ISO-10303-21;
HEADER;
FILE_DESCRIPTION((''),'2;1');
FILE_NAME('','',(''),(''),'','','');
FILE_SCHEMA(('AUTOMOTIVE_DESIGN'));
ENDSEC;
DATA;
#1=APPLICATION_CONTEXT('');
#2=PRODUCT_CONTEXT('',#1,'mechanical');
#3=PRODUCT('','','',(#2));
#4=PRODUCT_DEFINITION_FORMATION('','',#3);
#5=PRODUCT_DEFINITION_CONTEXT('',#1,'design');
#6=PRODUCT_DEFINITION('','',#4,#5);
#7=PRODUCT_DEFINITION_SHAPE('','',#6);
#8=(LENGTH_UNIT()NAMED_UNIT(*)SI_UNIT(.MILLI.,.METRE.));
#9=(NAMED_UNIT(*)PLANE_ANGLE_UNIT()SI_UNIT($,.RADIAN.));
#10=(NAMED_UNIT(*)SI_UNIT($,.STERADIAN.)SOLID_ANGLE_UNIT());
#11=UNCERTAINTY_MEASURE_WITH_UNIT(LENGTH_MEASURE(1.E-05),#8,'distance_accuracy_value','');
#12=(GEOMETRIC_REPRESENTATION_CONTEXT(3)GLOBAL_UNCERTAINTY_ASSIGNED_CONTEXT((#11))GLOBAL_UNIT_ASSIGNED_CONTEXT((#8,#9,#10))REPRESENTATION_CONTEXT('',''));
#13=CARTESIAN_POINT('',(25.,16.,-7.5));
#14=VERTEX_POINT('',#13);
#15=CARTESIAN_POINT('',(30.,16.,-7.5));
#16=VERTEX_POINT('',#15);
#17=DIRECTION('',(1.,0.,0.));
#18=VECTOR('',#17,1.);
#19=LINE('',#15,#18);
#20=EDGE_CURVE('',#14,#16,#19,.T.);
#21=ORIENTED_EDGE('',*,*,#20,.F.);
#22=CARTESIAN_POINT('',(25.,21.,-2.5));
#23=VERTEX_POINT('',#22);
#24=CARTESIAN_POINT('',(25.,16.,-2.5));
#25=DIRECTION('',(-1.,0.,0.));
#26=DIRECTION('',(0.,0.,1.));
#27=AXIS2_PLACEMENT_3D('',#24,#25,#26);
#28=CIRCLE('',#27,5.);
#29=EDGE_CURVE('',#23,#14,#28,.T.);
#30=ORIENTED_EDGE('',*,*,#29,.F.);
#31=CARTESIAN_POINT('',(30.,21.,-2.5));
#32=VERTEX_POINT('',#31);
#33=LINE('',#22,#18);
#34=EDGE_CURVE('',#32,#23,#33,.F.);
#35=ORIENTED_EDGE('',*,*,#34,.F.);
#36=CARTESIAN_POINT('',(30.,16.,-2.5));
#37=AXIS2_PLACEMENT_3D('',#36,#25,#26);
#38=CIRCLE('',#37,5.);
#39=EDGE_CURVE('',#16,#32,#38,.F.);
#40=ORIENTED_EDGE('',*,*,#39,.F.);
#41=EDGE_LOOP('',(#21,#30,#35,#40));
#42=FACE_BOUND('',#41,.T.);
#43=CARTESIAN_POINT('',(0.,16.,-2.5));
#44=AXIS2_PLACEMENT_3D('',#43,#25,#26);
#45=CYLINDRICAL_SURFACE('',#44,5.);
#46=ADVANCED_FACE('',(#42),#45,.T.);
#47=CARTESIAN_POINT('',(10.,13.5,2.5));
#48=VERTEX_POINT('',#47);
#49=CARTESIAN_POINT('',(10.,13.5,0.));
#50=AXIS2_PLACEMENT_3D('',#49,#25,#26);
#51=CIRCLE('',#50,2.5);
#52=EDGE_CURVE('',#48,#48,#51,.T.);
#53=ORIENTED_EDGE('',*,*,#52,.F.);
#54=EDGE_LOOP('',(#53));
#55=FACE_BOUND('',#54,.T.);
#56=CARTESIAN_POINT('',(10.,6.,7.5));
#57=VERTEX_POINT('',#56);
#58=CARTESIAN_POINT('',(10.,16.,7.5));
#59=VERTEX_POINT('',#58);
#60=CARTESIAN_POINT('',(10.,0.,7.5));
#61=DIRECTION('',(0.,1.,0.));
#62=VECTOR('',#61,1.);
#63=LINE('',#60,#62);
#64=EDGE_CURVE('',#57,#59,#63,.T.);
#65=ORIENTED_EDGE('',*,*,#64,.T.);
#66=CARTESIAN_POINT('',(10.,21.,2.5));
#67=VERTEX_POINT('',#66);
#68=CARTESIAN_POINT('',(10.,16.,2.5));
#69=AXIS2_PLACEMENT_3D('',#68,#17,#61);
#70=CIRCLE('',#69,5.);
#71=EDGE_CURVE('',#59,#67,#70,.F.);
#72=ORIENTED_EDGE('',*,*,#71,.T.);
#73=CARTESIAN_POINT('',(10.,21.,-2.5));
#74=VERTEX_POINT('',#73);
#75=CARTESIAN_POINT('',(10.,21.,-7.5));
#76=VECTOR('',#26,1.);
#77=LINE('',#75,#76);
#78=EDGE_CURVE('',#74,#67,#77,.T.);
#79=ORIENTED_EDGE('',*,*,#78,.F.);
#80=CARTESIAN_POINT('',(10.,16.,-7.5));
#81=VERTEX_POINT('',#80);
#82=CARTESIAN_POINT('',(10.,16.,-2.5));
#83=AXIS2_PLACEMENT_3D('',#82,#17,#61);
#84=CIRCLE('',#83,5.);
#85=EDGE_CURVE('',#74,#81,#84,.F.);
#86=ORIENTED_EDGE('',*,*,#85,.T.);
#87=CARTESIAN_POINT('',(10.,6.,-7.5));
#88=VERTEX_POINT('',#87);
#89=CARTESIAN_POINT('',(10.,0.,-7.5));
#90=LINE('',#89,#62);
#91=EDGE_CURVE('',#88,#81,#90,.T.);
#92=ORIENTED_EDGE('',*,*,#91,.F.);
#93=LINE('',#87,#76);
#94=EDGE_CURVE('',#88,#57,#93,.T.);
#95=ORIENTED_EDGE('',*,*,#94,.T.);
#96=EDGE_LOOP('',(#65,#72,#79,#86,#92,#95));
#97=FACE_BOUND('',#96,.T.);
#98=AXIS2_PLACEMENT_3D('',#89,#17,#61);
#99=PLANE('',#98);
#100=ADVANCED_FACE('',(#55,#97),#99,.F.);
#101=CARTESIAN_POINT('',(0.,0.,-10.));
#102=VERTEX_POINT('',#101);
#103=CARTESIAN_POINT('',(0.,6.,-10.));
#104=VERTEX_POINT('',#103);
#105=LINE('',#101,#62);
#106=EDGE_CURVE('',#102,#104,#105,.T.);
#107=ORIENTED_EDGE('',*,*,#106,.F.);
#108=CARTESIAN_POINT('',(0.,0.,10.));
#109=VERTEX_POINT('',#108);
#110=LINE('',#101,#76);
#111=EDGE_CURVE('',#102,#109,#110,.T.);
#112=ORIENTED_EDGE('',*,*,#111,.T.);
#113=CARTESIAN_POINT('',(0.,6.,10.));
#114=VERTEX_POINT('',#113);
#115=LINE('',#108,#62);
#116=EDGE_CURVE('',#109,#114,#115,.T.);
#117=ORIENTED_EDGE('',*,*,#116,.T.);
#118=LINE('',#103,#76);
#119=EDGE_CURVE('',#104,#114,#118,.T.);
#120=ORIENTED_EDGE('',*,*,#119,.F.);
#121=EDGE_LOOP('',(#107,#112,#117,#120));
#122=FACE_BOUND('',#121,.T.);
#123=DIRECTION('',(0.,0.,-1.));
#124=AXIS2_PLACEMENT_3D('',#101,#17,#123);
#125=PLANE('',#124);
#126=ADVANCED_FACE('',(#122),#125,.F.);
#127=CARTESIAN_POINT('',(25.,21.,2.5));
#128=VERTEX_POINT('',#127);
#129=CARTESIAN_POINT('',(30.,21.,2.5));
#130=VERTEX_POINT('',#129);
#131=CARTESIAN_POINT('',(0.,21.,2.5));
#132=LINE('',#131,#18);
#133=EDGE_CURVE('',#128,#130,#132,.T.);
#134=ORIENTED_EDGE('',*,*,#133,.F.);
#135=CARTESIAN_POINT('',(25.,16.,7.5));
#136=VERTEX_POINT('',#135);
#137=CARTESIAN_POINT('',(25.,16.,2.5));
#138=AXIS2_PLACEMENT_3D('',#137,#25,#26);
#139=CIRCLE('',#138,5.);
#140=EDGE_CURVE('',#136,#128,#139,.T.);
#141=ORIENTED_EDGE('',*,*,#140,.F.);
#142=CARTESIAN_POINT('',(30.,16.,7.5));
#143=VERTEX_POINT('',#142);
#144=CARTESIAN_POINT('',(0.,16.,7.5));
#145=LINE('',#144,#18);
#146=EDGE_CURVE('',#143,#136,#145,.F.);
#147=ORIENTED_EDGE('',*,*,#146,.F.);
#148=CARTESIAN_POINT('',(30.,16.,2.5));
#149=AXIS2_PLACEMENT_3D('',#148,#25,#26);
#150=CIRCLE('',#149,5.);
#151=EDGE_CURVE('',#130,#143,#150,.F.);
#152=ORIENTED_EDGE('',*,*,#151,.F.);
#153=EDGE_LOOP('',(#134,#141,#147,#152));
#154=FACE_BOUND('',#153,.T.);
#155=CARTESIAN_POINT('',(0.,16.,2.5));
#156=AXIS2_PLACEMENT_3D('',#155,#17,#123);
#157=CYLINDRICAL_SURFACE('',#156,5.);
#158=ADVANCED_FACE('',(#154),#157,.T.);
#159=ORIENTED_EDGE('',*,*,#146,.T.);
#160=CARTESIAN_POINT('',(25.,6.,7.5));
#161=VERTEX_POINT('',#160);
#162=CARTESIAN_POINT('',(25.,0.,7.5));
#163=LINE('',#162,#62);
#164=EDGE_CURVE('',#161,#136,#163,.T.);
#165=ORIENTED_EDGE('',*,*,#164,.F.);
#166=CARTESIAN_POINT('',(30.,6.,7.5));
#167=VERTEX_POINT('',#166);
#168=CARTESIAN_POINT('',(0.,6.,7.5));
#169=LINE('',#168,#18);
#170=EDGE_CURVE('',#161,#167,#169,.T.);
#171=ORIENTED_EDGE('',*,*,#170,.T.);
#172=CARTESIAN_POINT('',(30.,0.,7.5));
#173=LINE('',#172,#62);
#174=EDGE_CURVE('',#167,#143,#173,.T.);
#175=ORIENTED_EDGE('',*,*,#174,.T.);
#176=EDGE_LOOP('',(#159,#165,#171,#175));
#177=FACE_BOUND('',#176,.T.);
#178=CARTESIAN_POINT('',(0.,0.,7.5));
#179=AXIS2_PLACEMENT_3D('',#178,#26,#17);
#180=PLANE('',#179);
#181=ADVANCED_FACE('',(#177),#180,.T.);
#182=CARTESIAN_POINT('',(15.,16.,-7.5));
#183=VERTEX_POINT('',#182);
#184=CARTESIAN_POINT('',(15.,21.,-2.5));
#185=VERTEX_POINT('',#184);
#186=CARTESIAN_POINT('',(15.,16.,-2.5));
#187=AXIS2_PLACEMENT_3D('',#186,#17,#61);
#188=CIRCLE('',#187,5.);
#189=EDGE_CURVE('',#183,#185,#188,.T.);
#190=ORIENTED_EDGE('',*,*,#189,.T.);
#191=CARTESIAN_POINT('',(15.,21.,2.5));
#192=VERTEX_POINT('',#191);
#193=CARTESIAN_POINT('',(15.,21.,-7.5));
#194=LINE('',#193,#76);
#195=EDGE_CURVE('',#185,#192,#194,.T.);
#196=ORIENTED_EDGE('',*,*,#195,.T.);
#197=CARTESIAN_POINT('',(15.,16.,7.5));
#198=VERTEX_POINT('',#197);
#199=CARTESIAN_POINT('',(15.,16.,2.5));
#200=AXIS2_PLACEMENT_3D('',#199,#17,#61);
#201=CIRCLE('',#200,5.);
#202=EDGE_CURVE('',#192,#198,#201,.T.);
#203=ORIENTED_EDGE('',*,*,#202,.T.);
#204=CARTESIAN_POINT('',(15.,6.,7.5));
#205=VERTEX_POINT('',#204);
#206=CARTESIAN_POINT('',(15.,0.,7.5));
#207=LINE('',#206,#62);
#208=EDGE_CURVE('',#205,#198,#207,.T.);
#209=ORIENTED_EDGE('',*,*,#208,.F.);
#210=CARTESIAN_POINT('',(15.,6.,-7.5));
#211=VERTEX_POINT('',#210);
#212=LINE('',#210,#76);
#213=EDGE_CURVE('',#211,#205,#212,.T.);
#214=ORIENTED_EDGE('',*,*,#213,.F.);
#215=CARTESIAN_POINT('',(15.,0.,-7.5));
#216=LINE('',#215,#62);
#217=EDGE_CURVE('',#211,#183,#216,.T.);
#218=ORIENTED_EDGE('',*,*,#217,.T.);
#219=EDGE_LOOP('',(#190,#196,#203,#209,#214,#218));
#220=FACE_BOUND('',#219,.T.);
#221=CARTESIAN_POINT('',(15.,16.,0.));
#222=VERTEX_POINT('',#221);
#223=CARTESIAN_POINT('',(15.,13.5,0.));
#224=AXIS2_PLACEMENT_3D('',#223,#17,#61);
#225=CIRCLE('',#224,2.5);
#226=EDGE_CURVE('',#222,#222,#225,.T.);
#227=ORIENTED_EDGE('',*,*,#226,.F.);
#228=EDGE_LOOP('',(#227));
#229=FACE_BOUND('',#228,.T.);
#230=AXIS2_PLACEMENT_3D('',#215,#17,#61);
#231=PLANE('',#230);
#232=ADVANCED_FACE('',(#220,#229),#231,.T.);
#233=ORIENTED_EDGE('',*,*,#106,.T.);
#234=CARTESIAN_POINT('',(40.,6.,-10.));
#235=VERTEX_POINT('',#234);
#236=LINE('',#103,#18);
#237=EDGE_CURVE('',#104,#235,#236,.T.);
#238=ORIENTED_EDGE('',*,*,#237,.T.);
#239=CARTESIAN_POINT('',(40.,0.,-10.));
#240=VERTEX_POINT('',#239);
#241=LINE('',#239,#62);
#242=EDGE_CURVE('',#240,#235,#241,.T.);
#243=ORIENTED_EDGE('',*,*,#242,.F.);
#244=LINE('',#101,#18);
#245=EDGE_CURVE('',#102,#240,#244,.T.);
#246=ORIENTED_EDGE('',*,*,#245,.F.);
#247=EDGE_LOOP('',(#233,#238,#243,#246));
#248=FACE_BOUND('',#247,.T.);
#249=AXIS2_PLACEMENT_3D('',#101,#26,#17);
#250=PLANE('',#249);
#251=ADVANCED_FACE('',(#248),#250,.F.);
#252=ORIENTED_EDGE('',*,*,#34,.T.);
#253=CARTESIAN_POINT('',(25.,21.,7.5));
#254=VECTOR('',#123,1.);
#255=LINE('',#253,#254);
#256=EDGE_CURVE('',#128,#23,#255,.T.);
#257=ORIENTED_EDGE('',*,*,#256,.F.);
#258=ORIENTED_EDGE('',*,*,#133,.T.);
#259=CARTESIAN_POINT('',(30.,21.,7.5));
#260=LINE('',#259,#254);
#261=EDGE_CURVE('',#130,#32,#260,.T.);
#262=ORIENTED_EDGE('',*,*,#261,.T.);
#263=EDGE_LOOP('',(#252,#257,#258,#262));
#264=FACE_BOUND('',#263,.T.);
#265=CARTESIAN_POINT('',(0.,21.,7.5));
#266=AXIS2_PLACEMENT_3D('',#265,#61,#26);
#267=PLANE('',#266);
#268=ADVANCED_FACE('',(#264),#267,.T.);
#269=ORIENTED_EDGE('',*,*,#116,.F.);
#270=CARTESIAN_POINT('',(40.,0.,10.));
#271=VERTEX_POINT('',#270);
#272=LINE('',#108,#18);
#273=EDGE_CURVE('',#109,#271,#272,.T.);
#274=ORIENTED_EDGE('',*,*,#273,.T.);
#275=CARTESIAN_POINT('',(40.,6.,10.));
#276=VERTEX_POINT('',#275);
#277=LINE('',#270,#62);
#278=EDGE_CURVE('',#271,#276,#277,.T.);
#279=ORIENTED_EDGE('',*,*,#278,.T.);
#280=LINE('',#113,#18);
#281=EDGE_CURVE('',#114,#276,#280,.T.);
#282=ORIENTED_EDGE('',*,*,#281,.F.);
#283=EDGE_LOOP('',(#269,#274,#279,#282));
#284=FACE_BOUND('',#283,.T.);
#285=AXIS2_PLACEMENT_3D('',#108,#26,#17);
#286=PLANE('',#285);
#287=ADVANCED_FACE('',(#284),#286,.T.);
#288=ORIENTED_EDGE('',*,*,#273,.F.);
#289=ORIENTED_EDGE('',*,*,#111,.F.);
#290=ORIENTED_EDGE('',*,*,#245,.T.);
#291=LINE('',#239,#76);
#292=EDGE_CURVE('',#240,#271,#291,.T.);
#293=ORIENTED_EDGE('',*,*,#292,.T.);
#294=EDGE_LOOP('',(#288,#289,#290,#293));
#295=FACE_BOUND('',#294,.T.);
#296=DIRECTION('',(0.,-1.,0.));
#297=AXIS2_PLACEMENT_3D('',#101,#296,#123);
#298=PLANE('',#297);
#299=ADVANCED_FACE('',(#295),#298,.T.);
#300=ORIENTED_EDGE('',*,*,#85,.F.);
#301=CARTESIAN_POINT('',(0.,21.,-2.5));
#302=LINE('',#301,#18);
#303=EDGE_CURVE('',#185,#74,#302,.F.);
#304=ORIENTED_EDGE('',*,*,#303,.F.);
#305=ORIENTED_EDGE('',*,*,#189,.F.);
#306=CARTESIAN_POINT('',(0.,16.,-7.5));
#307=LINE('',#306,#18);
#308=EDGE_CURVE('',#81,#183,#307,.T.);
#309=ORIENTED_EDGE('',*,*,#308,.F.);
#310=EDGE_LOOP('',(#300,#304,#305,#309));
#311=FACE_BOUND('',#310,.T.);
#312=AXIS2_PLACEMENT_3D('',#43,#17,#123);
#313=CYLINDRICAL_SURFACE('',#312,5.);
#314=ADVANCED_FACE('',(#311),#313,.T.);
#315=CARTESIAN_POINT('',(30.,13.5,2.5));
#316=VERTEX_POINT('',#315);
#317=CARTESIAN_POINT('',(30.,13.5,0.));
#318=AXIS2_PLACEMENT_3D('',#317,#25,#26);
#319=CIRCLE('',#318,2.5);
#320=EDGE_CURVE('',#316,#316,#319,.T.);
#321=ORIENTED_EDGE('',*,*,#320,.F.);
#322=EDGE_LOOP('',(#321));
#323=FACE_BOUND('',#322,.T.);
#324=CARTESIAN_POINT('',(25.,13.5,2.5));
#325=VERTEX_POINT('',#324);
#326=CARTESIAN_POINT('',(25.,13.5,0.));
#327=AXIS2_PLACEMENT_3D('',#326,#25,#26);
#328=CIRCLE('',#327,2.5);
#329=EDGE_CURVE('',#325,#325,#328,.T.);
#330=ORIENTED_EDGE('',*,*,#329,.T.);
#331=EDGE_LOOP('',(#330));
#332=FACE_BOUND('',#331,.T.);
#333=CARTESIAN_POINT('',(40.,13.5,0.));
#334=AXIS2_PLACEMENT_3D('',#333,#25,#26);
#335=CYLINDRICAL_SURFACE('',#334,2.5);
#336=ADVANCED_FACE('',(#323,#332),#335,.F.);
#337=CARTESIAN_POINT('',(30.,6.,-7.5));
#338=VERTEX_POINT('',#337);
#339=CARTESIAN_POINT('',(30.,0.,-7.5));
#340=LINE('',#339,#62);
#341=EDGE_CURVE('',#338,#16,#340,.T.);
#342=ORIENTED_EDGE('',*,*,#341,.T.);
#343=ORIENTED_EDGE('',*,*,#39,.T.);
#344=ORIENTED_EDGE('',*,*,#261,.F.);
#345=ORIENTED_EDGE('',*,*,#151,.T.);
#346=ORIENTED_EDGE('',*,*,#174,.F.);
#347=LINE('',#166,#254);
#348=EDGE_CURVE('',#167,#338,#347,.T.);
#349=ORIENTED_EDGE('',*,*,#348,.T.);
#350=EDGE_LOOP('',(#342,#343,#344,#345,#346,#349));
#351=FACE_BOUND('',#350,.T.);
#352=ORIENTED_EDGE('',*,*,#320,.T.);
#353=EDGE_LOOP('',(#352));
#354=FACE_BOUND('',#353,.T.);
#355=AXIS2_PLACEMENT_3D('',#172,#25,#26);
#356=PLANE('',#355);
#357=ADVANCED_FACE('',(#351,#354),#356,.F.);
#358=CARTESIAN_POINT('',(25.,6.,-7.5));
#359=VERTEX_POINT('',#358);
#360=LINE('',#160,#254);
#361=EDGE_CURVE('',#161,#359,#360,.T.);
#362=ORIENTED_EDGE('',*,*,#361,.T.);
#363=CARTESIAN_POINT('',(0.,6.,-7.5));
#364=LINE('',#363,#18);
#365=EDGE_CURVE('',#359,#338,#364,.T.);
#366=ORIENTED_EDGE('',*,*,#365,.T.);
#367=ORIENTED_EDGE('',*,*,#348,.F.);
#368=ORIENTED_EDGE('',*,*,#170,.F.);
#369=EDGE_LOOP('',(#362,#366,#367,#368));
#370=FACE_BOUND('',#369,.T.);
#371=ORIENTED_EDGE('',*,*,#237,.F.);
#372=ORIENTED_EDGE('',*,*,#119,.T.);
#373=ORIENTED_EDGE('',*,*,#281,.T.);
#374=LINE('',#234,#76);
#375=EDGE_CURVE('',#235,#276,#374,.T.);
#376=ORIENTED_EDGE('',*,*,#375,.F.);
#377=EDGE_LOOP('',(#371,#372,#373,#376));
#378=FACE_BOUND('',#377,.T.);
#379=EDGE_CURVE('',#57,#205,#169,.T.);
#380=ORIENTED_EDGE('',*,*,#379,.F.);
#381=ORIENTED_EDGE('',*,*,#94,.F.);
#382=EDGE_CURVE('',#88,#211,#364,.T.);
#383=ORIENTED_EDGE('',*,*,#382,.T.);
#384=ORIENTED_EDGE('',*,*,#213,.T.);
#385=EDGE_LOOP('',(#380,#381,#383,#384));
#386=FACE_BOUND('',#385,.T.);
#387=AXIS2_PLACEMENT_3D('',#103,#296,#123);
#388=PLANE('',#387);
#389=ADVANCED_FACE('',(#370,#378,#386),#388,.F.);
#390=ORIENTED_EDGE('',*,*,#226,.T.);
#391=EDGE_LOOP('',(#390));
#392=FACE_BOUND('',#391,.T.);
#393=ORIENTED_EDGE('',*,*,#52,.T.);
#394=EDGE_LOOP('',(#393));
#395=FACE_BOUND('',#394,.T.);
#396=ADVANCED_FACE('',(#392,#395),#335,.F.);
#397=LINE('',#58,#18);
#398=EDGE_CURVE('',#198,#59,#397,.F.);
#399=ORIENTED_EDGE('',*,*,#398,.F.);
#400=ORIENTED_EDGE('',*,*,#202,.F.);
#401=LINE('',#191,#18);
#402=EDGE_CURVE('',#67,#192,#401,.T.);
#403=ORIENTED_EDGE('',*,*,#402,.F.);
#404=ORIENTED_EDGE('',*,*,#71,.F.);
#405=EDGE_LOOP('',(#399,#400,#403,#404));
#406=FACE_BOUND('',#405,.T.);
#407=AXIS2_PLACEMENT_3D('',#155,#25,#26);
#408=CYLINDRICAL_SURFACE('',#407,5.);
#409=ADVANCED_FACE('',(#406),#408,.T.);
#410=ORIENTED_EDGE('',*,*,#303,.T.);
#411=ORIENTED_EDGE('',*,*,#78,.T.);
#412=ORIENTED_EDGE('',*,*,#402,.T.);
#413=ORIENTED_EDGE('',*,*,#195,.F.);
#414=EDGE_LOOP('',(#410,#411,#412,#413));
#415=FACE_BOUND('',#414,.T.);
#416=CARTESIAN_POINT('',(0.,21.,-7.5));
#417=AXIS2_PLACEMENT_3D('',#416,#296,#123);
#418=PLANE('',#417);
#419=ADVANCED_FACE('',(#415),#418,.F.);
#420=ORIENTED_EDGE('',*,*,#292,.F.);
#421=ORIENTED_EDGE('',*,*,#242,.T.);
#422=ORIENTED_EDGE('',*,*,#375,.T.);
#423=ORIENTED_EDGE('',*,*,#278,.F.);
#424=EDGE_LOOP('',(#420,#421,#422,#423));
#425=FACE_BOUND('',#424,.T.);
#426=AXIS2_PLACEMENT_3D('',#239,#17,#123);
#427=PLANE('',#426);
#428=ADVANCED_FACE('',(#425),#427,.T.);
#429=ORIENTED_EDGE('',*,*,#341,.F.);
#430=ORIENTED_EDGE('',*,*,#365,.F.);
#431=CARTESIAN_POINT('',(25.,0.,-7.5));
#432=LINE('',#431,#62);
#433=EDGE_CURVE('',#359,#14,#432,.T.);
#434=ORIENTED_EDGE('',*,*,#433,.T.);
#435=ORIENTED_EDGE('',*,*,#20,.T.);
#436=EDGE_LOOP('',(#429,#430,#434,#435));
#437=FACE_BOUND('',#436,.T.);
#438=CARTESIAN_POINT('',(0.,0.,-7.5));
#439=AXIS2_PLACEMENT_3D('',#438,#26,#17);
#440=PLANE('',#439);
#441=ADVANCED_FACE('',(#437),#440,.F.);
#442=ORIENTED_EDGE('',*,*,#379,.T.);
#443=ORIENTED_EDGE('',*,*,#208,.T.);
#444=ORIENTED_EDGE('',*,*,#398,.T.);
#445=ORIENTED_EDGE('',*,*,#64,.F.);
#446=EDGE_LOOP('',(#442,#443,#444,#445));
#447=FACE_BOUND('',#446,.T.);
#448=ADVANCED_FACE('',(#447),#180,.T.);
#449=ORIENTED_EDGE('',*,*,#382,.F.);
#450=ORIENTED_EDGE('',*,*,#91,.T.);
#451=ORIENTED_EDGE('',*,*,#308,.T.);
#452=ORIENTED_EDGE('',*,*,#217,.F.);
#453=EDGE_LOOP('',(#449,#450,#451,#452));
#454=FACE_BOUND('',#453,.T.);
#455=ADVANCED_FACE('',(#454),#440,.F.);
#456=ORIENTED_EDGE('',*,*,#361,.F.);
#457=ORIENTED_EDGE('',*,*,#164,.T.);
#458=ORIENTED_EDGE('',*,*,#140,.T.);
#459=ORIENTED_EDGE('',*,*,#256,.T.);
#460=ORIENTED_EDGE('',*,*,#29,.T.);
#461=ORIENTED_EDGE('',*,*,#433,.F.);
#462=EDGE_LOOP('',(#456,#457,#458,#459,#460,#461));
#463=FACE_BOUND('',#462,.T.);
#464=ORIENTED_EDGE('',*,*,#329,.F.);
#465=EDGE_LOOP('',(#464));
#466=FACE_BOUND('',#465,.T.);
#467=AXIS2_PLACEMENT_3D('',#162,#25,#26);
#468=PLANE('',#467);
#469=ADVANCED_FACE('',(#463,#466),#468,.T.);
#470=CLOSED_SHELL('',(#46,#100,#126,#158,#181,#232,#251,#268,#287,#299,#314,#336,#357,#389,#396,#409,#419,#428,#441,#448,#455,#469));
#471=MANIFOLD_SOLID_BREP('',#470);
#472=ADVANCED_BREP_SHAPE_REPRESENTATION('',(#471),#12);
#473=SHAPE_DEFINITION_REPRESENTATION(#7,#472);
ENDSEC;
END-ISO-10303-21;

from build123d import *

# Parameters (mm, degrees)
BOSS_EXTRUDE1_DEPTH      = 10
BOSS_EXTRUDE1_DEPTH_BACK = 10
BOSS_EXTRUDE2_DEPTH      = 7.5
BOSS_EXTRUDE2_DEPTH_BACK = 7.5
SKETCH1_4_W              = 5
SKETCH1_4_H              = 15
SKETCH2_R                = 2.5
CUT_EXTRUDE1_DEPTH       = 38.960505792
FILLET1_R                = 5


with BuildPart() as part:
    # Sketch1 → Boss-Extrude1 (new, two sides: drawn at the far end of the back side and taken through both)
    with BuildSketch(Plane.XY.offset(-BOSS_EXTRUDE1_DEPTH_BACK)):
        Polygon((0, 6), (0, 0), (40, 0), (40, 6), (30, 6), (25, 6), (15, 6), (10, 6), align=None)
    extrude(amount=BOSS_EXTRUDE1_DEPTH + BOSS_EXTRUDE1_DEPTH_BACK)

    # Sketch1<4> → Boss-Extrude2 (add, two sides: drawn at the far end of the back side and taken through both)
    with BuildSketch(Plane.XY.offset(-BOSS_EXTRUDE2_DEPTH_BACK)):
        with Locations((12.5, 13.5)):
            Rectangle(SKETCH1_4_W, SKETCH1_4_H)
        with Locations((27.5, 13.5)):
            Rectangle(SKETCH1_4_W, SKETCH1_4_H)
    extrude(amount=BOSS_EXTRUDE2_DEPTH + BOSS_EXTRUDE2_DEPTH_BACK)

    # Sketch2 → Cut-Extrude1 (cut, through all)
    with BuildSketch(Plane.ZY.offset(-10)):
        with Locations((0, 13.5)):
            Circle(SKETCH2_R)
    extrude(amount=-CUT_EXTRUDE1_DEPTH, mode=Mode.SUBTRACT)

    # Fillet1
    fillet1_edges = [part.edges().sort_by_distance(p)[0] for p in [
        (12.5, 21, -7.5),
        (27.5, 21, -7.5),
        (27.5, 21, 7.5),
        (12.5, 21, 7.5),
    ]]
    fillet(fillet1_edges, radius=FILLET1_R)


solid = part.part
